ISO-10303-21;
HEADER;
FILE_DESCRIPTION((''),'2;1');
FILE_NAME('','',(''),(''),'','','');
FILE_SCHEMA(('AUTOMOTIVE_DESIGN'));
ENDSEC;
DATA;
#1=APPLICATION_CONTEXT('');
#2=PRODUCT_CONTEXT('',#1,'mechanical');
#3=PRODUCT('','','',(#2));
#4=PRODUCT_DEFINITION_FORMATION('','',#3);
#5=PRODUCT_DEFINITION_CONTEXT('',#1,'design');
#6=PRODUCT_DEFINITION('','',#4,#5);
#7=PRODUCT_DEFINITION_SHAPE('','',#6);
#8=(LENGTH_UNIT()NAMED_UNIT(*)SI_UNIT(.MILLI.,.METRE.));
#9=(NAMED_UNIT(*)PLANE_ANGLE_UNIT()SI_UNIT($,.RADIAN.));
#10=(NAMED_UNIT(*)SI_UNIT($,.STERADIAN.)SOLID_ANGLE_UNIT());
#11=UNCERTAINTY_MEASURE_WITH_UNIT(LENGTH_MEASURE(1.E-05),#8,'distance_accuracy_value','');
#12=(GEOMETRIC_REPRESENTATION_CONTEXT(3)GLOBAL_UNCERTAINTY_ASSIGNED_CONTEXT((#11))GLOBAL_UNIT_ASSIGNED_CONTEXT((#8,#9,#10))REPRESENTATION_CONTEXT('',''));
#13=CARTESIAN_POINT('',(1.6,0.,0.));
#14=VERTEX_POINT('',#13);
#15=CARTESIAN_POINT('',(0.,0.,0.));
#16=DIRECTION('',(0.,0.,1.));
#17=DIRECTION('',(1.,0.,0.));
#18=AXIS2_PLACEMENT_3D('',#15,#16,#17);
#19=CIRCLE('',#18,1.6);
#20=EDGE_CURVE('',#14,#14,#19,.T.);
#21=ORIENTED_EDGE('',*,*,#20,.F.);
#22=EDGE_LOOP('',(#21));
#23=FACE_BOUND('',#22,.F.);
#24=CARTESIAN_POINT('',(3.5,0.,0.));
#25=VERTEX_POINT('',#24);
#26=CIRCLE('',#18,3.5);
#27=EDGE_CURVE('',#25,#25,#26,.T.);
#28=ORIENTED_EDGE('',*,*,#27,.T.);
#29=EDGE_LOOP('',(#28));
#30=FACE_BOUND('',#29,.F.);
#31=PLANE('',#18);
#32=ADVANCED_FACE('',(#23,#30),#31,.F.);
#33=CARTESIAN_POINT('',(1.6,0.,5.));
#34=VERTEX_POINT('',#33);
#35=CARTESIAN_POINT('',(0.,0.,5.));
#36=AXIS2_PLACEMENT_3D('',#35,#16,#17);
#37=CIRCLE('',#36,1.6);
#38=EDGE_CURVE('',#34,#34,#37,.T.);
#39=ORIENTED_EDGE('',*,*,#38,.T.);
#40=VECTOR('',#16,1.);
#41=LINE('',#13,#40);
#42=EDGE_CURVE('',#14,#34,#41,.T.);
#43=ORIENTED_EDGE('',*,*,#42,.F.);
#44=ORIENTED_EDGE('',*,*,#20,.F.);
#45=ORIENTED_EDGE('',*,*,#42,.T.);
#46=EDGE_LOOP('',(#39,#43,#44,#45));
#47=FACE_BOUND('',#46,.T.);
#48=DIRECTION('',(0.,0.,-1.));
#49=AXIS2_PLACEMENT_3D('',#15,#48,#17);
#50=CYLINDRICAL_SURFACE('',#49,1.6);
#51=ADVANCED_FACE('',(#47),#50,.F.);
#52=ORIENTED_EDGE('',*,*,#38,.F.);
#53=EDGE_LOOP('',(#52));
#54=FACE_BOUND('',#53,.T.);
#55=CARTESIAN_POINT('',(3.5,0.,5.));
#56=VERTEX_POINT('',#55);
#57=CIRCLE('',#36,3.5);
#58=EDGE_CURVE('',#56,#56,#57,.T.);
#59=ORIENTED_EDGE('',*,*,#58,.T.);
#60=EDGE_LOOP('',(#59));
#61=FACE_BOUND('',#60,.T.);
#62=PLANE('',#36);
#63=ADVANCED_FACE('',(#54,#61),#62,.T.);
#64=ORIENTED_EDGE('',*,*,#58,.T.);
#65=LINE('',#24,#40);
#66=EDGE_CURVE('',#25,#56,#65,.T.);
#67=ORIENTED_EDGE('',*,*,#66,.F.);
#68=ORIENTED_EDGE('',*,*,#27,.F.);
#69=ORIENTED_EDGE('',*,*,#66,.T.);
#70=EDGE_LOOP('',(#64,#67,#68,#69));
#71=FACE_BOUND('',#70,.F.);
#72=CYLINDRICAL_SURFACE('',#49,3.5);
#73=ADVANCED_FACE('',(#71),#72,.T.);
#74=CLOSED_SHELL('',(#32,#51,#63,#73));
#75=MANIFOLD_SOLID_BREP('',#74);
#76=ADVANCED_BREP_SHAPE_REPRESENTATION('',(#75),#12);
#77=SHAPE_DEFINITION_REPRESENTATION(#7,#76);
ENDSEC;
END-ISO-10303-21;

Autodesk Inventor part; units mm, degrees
ref_plane "YZ Plane" through (0, 0, 0) normal (1, 0, 0) x (0, 1, 0)
ref_plane "XZ Plane" through (0, 0, 0) normal (0, 1, 0) x (-1, 0, 0)
ref_plane "XY Plane" through (0, 0, 0) normal (0, 0, 1) x (1, 0, 0)
sketch "Skizze1" plane through (0, 0, 0) normal (0, 0, 1) x (1, 0, 0)
  circle A0 centre (0, 0) radius 1.6
  circle A1 centre (0, 0) radius 3.5
  dimension "d0" = 3.2
  dimension "d1" = 7
extrude "Extrusion1" add sketch "Skizze1" along normal blind 5
properties part number "Nylon Spacer 3mm X 7mm X 5mm"
